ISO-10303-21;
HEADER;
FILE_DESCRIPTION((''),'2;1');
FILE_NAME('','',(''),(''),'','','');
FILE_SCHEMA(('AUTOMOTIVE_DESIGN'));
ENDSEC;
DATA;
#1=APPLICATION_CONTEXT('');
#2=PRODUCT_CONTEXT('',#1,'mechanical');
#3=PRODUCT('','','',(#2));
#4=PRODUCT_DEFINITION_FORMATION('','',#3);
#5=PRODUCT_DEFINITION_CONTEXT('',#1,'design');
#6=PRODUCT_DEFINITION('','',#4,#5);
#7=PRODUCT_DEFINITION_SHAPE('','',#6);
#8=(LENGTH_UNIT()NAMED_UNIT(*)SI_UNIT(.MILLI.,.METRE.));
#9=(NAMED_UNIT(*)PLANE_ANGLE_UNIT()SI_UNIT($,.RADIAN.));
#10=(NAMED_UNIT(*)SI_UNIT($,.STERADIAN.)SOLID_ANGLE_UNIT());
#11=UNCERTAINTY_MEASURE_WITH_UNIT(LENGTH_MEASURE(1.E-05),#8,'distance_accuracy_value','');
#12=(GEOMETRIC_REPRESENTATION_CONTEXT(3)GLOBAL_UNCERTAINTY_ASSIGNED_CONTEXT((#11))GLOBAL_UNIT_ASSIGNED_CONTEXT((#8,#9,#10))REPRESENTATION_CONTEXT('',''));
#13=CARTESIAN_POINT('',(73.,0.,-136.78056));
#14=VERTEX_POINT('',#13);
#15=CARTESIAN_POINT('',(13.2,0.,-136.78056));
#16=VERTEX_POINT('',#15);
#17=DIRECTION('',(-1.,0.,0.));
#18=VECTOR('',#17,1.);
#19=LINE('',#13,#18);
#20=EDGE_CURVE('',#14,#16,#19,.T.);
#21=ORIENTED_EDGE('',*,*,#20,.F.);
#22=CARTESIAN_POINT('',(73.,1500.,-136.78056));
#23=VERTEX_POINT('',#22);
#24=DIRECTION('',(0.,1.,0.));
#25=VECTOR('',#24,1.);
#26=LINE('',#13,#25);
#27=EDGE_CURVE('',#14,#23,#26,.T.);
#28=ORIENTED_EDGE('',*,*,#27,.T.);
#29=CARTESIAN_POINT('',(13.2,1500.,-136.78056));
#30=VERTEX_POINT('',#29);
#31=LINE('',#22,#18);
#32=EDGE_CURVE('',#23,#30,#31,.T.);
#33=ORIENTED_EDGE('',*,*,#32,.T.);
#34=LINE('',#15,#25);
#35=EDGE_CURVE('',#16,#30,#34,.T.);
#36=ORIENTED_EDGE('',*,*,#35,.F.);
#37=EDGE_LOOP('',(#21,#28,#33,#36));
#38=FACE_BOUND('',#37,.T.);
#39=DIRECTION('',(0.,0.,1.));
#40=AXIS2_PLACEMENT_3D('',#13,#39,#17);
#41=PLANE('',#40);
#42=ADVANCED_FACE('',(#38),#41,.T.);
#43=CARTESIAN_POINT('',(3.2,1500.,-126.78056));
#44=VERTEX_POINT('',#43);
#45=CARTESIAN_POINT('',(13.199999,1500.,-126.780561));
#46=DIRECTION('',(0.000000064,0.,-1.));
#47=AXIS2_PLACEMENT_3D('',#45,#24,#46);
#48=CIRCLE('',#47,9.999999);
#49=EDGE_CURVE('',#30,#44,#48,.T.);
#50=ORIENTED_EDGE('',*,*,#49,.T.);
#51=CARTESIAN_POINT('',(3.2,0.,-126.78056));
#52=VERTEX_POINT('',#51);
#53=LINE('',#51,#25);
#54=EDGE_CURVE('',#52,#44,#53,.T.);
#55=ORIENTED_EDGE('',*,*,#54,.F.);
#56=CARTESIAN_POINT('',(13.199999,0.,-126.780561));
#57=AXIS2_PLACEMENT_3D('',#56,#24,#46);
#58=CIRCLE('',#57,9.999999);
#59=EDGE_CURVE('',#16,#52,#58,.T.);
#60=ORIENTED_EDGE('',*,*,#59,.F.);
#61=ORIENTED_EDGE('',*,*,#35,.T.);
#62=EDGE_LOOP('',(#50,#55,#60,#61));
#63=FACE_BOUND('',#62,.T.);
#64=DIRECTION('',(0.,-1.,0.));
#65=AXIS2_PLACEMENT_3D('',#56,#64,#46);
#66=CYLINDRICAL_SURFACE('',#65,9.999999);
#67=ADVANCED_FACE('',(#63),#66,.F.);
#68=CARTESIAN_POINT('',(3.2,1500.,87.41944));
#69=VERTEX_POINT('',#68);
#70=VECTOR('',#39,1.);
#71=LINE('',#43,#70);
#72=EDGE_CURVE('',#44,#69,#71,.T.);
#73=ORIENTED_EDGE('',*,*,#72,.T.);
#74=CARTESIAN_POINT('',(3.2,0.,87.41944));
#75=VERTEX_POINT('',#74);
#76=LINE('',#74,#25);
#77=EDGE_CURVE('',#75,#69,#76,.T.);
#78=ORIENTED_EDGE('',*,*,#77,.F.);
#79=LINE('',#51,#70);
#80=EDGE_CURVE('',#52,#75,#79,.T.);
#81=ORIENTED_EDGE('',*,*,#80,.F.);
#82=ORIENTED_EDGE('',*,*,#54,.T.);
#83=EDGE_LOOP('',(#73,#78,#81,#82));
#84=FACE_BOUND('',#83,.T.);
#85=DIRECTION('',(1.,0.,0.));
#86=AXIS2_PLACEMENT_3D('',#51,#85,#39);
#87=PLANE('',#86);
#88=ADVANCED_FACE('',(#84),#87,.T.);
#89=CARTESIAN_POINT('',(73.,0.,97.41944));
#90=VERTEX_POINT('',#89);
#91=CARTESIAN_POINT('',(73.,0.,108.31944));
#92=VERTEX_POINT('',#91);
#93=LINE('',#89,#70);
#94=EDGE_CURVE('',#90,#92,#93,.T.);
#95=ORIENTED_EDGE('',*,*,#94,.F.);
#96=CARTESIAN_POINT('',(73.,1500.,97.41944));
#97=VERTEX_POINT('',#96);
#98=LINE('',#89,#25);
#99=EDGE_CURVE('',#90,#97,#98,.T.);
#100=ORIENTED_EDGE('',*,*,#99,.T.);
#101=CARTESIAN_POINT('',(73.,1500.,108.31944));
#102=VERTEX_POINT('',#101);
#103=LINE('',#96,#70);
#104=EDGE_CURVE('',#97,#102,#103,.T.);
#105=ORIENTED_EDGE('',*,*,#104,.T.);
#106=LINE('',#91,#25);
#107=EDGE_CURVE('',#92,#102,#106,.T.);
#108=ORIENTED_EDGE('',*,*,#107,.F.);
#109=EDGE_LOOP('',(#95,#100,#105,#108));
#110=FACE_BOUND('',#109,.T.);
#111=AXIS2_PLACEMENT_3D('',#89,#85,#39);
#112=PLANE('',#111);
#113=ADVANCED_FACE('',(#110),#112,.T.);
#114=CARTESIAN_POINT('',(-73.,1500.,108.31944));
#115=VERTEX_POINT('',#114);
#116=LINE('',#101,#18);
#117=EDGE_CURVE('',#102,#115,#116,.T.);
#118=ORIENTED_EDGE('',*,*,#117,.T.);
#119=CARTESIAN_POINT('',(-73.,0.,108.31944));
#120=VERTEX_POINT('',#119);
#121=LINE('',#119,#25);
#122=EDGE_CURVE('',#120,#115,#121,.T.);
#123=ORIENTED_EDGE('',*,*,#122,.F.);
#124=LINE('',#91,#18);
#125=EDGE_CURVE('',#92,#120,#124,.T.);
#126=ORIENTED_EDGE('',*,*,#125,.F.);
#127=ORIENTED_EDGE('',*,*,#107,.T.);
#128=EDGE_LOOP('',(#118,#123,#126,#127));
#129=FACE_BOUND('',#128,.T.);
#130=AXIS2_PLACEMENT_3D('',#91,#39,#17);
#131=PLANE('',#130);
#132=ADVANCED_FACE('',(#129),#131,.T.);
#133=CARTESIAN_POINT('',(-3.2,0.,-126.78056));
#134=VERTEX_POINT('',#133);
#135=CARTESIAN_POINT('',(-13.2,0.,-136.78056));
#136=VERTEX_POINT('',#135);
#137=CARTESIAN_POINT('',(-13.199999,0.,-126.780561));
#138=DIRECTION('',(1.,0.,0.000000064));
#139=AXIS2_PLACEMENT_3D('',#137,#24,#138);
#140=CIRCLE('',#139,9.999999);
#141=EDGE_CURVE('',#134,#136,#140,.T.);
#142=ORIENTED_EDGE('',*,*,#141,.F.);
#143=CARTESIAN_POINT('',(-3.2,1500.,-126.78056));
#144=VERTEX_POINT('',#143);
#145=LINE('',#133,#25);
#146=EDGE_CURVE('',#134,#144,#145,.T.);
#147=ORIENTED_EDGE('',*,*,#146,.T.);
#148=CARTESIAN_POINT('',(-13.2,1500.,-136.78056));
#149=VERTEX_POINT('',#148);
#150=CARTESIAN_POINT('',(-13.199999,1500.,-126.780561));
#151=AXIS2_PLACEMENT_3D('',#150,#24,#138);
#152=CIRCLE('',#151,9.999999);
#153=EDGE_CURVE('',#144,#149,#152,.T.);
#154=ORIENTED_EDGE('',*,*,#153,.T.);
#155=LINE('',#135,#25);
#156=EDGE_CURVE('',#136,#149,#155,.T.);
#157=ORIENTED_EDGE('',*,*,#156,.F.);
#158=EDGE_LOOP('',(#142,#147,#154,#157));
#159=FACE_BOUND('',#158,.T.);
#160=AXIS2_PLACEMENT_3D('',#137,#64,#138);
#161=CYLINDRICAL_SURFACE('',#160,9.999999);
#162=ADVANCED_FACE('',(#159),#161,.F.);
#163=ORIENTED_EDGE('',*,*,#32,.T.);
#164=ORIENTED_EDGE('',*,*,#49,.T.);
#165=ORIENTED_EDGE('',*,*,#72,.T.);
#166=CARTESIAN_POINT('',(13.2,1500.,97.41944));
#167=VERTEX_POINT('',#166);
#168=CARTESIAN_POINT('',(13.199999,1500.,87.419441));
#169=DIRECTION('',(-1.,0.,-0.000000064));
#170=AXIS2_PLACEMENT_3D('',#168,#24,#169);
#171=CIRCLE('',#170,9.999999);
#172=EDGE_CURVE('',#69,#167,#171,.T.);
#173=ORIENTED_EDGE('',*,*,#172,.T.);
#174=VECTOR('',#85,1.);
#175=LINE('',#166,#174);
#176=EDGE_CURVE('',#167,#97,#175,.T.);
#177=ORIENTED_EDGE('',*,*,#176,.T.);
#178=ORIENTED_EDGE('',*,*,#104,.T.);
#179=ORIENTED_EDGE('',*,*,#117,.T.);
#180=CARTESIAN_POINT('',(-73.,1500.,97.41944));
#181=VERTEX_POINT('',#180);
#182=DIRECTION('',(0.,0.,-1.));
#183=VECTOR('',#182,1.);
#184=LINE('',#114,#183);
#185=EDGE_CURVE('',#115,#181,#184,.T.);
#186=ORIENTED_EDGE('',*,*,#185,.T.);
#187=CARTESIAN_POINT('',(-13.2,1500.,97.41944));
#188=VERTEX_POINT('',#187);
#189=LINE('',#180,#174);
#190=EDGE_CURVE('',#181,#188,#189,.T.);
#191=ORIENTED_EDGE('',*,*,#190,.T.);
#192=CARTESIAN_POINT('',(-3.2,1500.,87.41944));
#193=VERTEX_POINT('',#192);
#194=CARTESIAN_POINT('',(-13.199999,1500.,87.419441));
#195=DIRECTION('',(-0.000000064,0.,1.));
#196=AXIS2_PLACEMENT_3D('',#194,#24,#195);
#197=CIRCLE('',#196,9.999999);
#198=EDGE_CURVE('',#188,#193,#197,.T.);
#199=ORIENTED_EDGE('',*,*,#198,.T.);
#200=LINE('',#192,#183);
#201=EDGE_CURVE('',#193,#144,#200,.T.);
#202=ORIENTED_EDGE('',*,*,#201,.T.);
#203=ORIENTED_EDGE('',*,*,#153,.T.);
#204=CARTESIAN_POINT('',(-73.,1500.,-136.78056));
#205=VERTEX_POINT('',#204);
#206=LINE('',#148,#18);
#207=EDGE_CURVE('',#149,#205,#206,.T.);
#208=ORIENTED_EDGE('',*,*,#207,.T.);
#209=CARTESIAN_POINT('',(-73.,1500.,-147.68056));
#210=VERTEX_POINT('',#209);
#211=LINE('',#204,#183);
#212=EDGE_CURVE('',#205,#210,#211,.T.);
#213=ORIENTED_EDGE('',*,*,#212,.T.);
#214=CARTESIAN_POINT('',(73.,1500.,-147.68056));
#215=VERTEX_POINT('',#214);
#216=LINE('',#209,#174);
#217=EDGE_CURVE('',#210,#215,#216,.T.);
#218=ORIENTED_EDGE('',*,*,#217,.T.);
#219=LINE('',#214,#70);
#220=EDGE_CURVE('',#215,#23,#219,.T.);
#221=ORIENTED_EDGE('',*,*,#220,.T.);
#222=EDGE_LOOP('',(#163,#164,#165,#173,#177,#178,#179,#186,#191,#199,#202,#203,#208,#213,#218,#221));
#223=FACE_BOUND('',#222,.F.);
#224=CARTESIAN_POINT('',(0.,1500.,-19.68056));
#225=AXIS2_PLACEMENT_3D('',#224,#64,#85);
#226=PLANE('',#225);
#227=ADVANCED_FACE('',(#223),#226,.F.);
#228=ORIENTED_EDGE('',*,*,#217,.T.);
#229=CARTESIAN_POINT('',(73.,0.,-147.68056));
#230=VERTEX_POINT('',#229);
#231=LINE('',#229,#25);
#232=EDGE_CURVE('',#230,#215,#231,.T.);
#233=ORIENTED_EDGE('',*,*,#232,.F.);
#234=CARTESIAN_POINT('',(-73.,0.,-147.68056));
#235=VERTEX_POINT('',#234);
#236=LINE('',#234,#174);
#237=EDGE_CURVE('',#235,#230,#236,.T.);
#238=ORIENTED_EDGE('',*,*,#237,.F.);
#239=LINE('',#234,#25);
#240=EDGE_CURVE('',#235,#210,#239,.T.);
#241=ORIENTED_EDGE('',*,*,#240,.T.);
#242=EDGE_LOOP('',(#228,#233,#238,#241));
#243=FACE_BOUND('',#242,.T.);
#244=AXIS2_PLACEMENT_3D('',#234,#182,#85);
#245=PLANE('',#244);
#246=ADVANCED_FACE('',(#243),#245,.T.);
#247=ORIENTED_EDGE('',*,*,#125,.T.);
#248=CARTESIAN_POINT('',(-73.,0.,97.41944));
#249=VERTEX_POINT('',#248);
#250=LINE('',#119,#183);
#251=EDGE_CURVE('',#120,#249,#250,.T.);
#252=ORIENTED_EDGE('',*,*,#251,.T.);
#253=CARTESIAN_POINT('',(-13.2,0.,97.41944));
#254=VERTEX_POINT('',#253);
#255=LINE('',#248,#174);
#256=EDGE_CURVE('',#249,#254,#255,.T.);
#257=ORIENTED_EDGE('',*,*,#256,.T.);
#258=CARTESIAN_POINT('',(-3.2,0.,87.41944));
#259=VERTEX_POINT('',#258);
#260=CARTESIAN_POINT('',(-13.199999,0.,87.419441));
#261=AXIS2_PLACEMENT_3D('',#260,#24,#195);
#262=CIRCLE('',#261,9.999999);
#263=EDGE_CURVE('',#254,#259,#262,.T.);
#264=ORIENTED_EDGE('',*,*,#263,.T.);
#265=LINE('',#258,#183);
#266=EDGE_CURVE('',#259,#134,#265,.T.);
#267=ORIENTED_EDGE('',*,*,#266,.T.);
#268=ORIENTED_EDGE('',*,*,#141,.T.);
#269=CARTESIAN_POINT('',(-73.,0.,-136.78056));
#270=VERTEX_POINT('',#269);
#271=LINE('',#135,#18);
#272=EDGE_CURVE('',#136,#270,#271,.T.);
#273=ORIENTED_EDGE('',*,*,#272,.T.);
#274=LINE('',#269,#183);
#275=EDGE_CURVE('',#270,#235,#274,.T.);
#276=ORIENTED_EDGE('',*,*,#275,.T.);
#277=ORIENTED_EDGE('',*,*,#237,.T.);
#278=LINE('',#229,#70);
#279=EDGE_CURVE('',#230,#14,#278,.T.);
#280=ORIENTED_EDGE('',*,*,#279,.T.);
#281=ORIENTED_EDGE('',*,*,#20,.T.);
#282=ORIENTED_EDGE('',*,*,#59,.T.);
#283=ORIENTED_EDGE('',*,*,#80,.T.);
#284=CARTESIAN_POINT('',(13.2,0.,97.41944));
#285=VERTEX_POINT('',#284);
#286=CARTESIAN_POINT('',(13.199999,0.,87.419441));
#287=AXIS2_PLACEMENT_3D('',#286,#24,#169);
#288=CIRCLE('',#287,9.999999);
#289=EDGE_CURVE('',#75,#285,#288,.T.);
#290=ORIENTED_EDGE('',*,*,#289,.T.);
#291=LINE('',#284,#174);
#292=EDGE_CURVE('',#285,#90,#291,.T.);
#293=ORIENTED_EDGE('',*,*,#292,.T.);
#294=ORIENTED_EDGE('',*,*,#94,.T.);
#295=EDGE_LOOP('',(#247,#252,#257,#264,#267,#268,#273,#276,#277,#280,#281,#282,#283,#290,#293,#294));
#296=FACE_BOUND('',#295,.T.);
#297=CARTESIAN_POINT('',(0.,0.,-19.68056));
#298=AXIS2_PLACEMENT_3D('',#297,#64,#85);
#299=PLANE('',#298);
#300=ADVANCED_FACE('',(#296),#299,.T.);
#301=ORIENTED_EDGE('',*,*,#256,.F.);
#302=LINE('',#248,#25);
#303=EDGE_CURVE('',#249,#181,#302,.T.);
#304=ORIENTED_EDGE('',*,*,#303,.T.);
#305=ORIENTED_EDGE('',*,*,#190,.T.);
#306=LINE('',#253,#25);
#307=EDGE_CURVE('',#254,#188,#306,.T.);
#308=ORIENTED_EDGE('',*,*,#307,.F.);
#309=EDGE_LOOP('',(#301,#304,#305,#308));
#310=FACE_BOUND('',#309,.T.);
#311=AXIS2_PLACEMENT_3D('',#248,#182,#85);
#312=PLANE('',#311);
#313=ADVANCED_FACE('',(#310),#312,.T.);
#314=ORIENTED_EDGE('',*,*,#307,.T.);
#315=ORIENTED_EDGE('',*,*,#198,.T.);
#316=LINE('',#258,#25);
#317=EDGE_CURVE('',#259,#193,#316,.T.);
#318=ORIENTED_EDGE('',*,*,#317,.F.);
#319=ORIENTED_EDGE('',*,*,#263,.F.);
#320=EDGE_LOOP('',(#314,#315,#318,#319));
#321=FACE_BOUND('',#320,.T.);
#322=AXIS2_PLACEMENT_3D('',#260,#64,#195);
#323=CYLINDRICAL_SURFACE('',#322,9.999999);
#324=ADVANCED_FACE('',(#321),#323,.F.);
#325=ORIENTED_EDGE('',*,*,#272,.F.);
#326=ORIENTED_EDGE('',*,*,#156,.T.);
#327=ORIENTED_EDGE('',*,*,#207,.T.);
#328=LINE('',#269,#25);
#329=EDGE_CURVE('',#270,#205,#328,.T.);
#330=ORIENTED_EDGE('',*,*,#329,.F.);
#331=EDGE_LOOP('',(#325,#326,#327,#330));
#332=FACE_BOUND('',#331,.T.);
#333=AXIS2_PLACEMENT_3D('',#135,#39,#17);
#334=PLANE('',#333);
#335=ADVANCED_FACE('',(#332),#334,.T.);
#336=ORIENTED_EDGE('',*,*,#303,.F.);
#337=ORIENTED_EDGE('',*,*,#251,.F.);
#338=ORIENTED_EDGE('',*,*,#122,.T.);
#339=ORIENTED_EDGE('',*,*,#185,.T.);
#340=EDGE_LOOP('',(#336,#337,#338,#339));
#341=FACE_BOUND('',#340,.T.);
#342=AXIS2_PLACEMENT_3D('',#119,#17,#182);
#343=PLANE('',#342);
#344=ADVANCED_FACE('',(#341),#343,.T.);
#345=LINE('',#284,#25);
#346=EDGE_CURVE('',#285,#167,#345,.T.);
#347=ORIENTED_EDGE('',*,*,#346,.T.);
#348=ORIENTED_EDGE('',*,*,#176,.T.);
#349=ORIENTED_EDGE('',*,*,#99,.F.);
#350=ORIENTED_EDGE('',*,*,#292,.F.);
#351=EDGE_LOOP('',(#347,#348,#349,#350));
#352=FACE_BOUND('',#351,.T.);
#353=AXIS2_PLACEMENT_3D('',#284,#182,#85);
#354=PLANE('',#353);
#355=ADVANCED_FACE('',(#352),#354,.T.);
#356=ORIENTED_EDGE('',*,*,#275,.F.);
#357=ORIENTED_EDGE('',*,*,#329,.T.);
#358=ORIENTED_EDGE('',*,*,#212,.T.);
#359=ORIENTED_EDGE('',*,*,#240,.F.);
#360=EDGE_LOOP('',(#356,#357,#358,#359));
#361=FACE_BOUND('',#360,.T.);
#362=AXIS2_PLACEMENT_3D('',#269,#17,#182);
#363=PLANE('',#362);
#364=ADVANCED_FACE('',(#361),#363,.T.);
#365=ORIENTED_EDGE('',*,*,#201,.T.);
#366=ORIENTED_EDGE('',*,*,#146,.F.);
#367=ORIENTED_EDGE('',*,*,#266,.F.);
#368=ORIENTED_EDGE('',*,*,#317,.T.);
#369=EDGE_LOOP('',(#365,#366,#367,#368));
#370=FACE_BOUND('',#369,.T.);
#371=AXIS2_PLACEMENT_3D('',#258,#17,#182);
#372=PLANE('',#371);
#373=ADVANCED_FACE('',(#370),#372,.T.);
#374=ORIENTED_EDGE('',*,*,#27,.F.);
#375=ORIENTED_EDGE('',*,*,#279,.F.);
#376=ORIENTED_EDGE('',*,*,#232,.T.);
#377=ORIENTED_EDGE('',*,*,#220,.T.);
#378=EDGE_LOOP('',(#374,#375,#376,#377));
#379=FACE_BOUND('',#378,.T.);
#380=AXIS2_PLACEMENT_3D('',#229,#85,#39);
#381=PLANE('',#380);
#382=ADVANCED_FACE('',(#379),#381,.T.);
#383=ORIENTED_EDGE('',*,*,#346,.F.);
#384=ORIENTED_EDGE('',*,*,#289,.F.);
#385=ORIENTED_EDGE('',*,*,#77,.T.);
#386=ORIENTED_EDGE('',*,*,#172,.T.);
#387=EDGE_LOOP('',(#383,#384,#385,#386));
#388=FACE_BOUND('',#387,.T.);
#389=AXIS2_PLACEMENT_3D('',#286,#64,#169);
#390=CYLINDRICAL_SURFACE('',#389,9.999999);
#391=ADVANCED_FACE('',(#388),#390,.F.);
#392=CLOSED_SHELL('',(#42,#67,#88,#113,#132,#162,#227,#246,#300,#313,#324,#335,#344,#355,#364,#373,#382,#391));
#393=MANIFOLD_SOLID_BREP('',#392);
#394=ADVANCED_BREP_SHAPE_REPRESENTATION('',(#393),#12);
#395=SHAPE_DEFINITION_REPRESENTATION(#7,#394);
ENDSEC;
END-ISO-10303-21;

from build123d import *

# Parameters (mm, degrees)
F1_DEPTH = 1500


with BuildPart() as f1:
    # F0 (on Front) → F1 (new body)
    with BuildSketch(Plane.XZ):
        with BuildLine():
            Line((73, 108.31944), (0, 108.31944))
            Line((0, 108.31944), (-73, 108.31944))
            Line((-73, 108.31944), (-73, 97.41944))
            Line((-73, 97.41944), (-13.2, 97.41944))
            ThreePointArc((-13.2, 97.41944), (-6.128932, 94.490508), (-3.2, 87.41944))
            Line((-3.2, 87.41944), (-3.2, -126.78056))
            ThreePointArc((-3.2, -126.78056), (-6.128932, -133.851628), (-13.2, -136.78056))
            Line((-13.2, -136.78056), (-73, -136.78056))
            Line((-73, -136.78056), (-73, -147.68056))
            Line((-73, -147.68056), (0, -147.68056))
            Line((0, -147.68056), (73, -147.68056))
            Line((73, -147.68056), (73, -136.78056))
            Line((73, -136.78056), (13.2, -136.78056))
            ThreePointArc((13.2, -136.78056), (6.128932, -133.851628), (3.2, -126.78056))
            Line((3.2, -126.78056), (3.2, 87.41944))
            ThreePointArc((3.2, 87.41944), (6.128932, 94.490508), (13.2, 97.41944))
            Line((13.2, 97.41944), (73, 97.41944))
            Line((73, 97.41944), (73, 108.31944))
        make_face()
    extrude(amount=-F1_DEPTH)


solid = f1.part
